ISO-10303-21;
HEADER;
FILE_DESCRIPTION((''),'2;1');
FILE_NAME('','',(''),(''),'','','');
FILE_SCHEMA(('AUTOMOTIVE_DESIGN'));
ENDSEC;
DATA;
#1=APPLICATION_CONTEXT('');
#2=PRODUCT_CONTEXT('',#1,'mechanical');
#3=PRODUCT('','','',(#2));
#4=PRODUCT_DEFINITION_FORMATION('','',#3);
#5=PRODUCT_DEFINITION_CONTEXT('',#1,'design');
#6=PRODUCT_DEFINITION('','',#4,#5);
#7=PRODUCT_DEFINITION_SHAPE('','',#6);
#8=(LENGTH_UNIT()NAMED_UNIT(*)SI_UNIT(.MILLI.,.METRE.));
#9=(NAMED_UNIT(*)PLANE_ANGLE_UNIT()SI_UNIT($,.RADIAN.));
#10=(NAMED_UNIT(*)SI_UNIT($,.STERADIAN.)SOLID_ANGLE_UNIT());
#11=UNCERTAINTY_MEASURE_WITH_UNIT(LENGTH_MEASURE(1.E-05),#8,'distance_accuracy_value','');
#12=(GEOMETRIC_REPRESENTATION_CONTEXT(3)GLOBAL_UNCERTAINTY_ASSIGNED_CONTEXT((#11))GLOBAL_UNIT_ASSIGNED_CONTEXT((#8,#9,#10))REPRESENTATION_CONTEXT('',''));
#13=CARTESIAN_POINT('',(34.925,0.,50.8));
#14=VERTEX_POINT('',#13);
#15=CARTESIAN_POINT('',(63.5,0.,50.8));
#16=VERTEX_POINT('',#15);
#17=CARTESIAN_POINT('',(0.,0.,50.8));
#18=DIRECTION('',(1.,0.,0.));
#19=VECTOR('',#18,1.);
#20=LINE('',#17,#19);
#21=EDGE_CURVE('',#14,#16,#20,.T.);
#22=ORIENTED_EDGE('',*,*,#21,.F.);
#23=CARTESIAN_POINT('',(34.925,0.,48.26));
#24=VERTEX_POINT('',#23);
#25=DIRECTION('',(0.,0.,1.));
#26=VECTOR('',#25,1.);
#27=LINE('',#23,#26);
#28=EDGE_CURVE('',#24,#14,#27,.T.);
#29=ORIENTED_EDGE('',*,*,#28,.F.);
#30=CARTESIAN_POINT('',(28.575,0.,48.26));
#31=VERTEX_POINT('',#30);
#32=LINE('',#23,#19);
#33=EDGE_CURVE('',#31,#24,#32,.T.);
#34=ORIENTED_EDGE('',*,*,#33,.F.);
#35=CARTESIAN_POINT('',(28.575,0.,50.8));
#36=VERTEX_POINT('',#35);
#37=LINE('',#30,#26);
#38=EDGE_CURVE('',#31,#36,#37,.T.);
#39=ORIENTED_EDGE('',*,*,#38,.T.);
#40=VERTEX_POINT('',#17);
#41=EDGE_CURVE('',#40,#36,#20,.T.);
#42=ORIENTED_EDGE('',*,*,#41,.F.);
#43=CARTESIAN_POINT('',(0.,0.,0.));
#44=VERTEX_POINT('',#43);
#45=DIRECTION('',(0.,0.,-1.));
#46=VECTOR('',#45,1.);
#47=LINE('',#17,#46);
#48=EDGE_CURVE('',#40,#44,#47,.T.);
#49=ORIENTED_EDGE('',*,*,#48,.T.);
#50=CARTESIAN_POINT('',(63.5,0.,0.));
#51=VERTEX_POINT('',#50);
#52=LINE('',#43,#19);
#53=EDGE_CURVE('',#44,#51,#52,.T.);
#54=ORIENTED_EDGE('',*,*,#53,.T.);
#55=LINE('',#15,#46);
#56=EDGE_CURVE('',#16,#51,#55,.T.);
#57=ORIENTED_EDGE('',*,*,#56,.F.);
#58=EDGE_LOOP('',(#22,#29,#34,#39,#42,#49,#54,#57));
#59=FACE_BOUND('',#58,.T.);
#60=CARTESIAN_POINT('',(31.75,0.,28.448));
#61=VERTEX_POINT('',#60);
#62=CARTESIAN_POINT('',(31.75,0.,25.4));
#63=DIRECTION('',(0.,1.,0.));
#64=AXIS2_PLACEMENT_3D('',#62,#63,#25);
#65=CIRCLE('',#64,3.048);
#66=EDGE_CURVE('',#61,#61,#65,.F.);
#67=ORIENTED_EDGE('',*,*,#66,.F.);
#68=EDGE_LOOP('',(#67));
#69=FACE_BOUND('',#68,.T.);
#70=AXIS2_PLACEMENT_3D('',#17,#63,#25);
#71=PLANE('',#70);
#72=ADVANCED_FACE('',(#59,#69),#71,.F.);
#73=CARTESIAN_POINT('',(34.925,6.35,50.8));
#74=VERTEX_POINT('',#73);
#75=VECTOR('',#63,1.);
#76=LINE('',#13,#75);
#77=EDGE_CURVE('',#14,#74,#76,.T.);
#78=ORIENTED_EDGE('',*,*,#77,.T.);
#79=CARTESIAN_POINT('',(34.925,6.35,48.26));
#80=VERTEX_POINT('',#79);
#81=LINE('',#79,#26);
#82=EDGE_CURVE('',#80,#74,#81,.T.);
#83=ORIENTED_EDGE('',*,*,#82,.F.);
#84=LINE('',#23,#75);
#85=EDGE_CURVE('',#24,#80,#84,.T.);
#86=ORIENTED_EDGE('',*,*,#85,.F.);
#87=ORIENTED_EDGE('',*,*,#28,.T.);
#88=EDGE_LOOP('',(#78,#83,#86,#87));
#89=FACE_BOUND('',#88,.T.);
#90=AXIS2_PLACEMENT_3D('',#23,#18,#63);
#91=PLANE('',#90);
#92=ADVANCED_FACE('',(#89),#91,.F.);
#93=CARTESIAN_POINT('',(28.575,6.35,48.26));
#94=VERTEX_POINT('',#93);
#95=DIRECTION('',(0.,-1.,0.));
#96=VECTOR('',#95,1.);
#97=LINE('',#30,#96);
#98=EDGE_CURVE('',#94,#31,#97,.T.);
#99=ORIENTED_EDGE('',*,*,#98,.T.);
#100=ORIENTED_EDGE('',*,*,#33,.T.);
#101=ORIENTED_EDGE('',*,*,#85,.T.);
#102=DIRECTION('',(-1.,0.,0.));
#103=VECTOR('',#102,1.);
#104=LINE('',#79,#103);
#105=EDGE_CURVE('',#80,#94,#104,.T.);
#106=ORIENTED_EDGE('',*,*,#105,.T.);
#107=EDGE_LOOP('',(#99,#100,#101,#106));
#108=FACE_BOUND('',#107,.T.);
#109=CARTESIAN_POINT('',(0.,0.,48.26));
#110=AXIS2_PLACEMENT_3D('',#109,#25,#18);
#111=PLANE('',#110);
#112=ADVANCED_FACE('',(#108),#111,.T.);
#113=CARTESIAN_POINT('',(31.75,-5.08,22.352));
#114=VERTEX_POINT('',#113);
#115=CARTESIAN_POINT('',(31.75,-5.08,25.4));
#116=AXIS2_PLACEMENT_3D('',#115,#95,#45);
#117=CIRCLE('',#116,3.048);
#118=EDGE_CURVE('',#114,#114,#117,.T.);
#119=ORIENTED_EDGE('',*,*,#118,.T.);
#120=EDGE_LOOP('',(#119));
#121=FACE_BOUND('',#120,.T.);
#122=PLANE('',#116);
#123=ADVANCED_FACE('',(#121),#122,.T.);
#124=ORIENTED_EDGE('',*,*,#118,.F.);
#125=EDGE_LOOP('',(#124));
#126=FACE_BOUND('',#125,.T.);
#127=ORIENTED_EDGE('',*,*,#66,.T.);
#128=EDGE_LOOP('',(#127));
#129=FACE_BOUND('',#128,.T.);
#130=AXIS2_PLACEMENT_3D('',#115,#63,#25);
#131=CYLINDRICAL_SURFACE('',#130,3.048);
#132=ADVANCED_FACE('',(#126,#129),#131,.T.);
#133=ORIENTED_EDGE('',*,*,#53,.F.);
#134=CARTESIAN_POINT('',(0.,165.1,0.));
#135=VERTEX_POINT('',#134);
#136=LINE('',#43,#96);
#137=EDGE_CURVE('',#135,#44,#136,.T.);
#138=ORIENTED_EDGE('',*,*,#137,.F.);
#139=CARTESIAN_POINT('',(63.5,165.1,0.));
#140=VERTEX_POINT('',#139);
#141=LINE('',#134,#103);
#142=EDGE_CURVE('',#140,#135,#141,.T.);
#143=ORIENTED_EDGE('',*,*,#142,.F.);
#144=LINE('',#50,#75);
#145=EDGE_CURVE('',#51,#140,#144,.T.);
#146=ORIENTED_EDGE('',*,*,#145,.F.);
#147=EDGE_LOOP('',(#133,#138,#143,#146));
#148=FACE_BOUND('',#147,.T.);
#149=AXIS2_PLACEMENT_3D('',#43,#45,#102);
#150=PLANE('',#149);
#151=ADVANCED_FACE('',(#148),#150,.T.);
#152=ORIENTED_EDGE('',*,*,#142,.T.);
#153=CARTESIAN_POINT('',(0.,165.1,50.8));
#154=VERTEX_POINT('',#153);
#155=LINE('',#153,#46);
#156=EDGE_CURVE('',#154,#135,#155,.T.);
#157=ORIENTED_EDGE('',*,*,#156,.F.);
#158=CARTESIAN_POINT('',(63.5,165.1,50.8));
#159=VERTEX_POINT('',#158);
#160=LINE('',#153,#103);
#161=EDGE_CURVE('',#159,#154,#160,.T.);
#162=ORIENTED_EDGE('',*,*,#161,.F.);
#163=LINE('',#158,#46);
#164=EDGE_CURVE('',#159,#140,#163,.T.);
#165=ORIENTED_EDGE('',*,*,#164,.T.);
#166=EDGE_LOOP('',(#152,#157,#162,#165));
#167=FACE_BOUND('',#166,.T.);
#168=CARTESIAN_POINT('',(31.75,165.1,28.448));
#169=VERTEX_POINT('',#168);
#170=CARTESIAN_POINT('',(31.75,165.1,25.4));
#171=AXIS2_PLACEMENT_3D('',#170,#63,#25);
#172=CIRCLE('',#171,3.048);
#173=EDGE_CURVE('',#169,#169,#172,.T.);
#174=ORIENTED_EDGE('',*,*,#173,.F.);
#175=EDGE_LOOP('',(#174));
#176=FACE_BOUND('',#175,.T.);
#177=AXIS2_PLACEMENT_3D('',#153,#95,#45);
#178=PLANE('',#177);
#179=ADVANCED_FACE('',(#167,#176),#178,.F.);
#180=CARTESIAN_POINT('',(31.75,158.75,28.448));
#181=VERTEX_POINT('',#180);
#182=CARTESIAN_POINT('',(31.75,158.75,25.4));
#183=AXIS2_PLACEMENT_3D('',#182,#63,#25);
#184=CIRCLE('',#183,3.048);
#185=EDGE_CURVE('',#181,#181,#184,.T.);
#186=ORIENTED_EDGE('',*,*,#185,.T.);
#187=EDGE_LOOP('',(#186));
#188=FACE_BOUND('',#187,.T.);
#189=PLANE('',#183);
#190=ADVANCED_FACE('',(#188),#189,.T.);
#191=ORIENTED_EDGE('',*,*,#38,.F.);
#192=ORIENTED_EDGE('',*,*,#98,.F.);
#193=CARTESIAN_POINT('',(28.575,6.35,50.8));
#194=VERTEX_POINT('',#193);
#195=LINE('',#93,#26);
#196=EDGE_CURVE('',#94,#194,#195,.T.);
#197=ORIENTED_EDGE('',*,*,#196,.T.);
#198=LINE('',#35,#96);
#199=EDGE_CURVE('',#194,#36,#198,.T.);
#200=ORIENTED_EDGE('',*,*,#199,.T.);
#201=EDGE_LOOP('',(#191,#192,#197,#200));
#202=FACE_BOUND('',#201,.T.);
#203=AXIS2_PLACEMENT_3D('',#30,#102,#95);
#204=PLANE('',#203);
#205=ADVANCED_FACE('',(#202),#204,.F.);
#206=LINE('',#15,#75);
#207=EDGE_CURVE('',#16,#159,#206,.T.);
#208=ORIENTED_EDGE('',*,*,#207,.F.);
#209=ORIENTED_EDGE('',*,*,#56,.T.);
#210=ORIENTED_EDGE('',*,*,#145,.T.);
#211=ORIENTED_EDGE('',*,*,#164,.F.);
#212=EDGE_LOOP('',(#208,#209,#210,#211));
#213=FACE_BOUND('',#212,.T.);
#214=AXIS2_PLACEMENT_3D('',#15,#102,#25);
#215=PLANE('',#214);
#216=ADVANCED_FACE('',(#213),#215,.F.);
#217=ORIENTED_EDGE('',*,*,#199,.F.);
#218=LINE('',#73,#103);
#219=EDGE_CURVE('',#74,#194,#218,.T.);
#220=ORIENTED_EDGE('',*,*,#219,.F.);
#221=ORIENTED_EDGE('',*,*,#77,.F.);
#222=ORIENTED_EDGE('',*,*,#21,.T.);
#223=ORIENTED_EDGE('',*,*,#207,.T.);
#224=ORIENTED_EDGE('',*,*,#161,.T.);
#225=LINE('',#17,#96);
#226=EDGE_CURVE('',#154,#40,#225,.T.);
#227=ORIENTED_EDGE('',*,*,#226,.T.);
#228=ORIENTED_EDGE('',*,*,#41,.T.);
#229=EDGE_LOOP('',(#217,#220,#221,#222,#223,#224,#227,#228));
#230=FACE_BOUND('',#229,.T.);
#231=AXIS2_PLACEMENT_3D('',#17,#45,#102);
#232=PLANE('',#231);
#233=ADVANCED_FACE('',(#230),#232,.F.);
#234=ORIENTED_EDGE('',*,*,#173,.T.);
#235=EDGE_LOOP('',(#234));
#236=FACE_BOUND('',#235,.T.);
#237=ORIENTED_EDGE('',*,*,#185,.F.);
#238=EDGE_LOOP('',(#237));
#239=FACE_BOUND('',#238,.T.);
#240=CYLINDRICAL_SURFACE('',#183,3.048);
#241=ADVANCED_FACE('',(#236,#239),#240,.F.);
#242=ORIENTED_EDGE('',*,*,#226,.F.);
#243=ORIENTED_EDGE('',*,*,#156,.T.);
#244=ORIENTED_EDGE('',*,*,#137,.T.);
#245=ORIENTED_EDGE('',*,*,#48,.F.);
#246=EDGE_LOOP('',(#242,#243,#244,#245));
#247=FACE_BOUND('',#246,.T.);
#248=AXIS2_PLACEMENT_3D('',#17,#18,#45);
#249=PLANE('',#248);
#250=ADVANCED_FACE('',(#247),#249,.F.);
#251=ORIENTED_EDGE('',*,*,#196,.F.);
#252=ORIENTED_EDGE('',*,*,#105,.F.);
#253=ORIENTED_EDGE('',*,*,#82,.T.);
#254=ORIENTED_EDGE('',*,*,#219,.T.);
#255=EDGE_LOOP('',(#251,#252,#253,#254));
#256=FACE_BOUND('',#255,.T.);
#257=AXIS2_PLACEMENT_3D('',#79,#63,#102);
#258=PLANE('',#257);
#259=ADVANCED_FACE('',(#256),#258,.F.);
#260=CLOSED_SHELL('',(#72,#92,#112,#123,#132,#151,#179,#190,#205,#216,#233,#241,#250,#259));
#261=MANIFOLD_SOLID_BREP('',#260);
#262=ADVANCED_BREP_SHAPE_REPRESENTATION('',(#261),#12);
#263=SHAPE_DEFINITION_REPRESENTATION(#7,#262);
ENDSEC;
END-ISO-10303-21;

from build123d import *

# Parameters (mm, degrees)
SKETCH1_W           = 63.5
SKETCH1_H           = 165.1
BOSS_EXTRUDE1_DEPTH = 50.8
SKETCH2_R           = 3.048
BOSS_EXTRUDE2_DEPTH = 5.08
SKETCH3_R           = 3.048
CUT_EXTRUDE1_DEPTH  = 6.35
SKETCH4_W           = 6.35
SKETCH4_H           = 6.35
CUT_EXTRUDE2_DEPTH  = 2.54


with BuildPart() as part:
    # Sketch1 → Boss-Extrude1 (new body)
    with BuildSketch(Plane.XY):
        with Locations((31.75, 82.55)):
            Rectangle(SKETCH1_W, SKETCH1_H)
    extrude(amount=BOSS_EXTRUDE1_DEPTH)

    # Sketch2 → Boss-Extrude2 (add)
    with BuildSketch(Plane.XZ):
        with Locations(Location((31.75, 25.4, 0), (0, 0, 90))):
            Circle(SKETCH2_R)
    extrude(amount=BOSS_EXTRUDE2_DEPTH)

    # Sketch3 → Cut-Extrude1 (cut)
    with BuildSketch(Plane(origin=(0, 165.1, 0), x_dir=(1, 0, 0), z_dir=(0, 1, 0))):
        with Locations(Location((31.75, -25.4, 0), (0, 0, 270))):
            Circle(SKETCH3_R)
    extrude(amount=-CUT_EXTRUDE1_DEPTH, mode=Mode.SUBTRACT)

    # Sketch4 → Cut-Extrude2 (cut)
    with BuildSketch(Plane.XY.offset(50.8)):
        with Locations((31.75, 3.175)):
            Rectangle(SKETCH4_W, SKETCH4_H)
    extrude(amount=-CUT_EXTRUDE2_DEPTH, mode=Mode.SUBTRACT)


solid = part.part
